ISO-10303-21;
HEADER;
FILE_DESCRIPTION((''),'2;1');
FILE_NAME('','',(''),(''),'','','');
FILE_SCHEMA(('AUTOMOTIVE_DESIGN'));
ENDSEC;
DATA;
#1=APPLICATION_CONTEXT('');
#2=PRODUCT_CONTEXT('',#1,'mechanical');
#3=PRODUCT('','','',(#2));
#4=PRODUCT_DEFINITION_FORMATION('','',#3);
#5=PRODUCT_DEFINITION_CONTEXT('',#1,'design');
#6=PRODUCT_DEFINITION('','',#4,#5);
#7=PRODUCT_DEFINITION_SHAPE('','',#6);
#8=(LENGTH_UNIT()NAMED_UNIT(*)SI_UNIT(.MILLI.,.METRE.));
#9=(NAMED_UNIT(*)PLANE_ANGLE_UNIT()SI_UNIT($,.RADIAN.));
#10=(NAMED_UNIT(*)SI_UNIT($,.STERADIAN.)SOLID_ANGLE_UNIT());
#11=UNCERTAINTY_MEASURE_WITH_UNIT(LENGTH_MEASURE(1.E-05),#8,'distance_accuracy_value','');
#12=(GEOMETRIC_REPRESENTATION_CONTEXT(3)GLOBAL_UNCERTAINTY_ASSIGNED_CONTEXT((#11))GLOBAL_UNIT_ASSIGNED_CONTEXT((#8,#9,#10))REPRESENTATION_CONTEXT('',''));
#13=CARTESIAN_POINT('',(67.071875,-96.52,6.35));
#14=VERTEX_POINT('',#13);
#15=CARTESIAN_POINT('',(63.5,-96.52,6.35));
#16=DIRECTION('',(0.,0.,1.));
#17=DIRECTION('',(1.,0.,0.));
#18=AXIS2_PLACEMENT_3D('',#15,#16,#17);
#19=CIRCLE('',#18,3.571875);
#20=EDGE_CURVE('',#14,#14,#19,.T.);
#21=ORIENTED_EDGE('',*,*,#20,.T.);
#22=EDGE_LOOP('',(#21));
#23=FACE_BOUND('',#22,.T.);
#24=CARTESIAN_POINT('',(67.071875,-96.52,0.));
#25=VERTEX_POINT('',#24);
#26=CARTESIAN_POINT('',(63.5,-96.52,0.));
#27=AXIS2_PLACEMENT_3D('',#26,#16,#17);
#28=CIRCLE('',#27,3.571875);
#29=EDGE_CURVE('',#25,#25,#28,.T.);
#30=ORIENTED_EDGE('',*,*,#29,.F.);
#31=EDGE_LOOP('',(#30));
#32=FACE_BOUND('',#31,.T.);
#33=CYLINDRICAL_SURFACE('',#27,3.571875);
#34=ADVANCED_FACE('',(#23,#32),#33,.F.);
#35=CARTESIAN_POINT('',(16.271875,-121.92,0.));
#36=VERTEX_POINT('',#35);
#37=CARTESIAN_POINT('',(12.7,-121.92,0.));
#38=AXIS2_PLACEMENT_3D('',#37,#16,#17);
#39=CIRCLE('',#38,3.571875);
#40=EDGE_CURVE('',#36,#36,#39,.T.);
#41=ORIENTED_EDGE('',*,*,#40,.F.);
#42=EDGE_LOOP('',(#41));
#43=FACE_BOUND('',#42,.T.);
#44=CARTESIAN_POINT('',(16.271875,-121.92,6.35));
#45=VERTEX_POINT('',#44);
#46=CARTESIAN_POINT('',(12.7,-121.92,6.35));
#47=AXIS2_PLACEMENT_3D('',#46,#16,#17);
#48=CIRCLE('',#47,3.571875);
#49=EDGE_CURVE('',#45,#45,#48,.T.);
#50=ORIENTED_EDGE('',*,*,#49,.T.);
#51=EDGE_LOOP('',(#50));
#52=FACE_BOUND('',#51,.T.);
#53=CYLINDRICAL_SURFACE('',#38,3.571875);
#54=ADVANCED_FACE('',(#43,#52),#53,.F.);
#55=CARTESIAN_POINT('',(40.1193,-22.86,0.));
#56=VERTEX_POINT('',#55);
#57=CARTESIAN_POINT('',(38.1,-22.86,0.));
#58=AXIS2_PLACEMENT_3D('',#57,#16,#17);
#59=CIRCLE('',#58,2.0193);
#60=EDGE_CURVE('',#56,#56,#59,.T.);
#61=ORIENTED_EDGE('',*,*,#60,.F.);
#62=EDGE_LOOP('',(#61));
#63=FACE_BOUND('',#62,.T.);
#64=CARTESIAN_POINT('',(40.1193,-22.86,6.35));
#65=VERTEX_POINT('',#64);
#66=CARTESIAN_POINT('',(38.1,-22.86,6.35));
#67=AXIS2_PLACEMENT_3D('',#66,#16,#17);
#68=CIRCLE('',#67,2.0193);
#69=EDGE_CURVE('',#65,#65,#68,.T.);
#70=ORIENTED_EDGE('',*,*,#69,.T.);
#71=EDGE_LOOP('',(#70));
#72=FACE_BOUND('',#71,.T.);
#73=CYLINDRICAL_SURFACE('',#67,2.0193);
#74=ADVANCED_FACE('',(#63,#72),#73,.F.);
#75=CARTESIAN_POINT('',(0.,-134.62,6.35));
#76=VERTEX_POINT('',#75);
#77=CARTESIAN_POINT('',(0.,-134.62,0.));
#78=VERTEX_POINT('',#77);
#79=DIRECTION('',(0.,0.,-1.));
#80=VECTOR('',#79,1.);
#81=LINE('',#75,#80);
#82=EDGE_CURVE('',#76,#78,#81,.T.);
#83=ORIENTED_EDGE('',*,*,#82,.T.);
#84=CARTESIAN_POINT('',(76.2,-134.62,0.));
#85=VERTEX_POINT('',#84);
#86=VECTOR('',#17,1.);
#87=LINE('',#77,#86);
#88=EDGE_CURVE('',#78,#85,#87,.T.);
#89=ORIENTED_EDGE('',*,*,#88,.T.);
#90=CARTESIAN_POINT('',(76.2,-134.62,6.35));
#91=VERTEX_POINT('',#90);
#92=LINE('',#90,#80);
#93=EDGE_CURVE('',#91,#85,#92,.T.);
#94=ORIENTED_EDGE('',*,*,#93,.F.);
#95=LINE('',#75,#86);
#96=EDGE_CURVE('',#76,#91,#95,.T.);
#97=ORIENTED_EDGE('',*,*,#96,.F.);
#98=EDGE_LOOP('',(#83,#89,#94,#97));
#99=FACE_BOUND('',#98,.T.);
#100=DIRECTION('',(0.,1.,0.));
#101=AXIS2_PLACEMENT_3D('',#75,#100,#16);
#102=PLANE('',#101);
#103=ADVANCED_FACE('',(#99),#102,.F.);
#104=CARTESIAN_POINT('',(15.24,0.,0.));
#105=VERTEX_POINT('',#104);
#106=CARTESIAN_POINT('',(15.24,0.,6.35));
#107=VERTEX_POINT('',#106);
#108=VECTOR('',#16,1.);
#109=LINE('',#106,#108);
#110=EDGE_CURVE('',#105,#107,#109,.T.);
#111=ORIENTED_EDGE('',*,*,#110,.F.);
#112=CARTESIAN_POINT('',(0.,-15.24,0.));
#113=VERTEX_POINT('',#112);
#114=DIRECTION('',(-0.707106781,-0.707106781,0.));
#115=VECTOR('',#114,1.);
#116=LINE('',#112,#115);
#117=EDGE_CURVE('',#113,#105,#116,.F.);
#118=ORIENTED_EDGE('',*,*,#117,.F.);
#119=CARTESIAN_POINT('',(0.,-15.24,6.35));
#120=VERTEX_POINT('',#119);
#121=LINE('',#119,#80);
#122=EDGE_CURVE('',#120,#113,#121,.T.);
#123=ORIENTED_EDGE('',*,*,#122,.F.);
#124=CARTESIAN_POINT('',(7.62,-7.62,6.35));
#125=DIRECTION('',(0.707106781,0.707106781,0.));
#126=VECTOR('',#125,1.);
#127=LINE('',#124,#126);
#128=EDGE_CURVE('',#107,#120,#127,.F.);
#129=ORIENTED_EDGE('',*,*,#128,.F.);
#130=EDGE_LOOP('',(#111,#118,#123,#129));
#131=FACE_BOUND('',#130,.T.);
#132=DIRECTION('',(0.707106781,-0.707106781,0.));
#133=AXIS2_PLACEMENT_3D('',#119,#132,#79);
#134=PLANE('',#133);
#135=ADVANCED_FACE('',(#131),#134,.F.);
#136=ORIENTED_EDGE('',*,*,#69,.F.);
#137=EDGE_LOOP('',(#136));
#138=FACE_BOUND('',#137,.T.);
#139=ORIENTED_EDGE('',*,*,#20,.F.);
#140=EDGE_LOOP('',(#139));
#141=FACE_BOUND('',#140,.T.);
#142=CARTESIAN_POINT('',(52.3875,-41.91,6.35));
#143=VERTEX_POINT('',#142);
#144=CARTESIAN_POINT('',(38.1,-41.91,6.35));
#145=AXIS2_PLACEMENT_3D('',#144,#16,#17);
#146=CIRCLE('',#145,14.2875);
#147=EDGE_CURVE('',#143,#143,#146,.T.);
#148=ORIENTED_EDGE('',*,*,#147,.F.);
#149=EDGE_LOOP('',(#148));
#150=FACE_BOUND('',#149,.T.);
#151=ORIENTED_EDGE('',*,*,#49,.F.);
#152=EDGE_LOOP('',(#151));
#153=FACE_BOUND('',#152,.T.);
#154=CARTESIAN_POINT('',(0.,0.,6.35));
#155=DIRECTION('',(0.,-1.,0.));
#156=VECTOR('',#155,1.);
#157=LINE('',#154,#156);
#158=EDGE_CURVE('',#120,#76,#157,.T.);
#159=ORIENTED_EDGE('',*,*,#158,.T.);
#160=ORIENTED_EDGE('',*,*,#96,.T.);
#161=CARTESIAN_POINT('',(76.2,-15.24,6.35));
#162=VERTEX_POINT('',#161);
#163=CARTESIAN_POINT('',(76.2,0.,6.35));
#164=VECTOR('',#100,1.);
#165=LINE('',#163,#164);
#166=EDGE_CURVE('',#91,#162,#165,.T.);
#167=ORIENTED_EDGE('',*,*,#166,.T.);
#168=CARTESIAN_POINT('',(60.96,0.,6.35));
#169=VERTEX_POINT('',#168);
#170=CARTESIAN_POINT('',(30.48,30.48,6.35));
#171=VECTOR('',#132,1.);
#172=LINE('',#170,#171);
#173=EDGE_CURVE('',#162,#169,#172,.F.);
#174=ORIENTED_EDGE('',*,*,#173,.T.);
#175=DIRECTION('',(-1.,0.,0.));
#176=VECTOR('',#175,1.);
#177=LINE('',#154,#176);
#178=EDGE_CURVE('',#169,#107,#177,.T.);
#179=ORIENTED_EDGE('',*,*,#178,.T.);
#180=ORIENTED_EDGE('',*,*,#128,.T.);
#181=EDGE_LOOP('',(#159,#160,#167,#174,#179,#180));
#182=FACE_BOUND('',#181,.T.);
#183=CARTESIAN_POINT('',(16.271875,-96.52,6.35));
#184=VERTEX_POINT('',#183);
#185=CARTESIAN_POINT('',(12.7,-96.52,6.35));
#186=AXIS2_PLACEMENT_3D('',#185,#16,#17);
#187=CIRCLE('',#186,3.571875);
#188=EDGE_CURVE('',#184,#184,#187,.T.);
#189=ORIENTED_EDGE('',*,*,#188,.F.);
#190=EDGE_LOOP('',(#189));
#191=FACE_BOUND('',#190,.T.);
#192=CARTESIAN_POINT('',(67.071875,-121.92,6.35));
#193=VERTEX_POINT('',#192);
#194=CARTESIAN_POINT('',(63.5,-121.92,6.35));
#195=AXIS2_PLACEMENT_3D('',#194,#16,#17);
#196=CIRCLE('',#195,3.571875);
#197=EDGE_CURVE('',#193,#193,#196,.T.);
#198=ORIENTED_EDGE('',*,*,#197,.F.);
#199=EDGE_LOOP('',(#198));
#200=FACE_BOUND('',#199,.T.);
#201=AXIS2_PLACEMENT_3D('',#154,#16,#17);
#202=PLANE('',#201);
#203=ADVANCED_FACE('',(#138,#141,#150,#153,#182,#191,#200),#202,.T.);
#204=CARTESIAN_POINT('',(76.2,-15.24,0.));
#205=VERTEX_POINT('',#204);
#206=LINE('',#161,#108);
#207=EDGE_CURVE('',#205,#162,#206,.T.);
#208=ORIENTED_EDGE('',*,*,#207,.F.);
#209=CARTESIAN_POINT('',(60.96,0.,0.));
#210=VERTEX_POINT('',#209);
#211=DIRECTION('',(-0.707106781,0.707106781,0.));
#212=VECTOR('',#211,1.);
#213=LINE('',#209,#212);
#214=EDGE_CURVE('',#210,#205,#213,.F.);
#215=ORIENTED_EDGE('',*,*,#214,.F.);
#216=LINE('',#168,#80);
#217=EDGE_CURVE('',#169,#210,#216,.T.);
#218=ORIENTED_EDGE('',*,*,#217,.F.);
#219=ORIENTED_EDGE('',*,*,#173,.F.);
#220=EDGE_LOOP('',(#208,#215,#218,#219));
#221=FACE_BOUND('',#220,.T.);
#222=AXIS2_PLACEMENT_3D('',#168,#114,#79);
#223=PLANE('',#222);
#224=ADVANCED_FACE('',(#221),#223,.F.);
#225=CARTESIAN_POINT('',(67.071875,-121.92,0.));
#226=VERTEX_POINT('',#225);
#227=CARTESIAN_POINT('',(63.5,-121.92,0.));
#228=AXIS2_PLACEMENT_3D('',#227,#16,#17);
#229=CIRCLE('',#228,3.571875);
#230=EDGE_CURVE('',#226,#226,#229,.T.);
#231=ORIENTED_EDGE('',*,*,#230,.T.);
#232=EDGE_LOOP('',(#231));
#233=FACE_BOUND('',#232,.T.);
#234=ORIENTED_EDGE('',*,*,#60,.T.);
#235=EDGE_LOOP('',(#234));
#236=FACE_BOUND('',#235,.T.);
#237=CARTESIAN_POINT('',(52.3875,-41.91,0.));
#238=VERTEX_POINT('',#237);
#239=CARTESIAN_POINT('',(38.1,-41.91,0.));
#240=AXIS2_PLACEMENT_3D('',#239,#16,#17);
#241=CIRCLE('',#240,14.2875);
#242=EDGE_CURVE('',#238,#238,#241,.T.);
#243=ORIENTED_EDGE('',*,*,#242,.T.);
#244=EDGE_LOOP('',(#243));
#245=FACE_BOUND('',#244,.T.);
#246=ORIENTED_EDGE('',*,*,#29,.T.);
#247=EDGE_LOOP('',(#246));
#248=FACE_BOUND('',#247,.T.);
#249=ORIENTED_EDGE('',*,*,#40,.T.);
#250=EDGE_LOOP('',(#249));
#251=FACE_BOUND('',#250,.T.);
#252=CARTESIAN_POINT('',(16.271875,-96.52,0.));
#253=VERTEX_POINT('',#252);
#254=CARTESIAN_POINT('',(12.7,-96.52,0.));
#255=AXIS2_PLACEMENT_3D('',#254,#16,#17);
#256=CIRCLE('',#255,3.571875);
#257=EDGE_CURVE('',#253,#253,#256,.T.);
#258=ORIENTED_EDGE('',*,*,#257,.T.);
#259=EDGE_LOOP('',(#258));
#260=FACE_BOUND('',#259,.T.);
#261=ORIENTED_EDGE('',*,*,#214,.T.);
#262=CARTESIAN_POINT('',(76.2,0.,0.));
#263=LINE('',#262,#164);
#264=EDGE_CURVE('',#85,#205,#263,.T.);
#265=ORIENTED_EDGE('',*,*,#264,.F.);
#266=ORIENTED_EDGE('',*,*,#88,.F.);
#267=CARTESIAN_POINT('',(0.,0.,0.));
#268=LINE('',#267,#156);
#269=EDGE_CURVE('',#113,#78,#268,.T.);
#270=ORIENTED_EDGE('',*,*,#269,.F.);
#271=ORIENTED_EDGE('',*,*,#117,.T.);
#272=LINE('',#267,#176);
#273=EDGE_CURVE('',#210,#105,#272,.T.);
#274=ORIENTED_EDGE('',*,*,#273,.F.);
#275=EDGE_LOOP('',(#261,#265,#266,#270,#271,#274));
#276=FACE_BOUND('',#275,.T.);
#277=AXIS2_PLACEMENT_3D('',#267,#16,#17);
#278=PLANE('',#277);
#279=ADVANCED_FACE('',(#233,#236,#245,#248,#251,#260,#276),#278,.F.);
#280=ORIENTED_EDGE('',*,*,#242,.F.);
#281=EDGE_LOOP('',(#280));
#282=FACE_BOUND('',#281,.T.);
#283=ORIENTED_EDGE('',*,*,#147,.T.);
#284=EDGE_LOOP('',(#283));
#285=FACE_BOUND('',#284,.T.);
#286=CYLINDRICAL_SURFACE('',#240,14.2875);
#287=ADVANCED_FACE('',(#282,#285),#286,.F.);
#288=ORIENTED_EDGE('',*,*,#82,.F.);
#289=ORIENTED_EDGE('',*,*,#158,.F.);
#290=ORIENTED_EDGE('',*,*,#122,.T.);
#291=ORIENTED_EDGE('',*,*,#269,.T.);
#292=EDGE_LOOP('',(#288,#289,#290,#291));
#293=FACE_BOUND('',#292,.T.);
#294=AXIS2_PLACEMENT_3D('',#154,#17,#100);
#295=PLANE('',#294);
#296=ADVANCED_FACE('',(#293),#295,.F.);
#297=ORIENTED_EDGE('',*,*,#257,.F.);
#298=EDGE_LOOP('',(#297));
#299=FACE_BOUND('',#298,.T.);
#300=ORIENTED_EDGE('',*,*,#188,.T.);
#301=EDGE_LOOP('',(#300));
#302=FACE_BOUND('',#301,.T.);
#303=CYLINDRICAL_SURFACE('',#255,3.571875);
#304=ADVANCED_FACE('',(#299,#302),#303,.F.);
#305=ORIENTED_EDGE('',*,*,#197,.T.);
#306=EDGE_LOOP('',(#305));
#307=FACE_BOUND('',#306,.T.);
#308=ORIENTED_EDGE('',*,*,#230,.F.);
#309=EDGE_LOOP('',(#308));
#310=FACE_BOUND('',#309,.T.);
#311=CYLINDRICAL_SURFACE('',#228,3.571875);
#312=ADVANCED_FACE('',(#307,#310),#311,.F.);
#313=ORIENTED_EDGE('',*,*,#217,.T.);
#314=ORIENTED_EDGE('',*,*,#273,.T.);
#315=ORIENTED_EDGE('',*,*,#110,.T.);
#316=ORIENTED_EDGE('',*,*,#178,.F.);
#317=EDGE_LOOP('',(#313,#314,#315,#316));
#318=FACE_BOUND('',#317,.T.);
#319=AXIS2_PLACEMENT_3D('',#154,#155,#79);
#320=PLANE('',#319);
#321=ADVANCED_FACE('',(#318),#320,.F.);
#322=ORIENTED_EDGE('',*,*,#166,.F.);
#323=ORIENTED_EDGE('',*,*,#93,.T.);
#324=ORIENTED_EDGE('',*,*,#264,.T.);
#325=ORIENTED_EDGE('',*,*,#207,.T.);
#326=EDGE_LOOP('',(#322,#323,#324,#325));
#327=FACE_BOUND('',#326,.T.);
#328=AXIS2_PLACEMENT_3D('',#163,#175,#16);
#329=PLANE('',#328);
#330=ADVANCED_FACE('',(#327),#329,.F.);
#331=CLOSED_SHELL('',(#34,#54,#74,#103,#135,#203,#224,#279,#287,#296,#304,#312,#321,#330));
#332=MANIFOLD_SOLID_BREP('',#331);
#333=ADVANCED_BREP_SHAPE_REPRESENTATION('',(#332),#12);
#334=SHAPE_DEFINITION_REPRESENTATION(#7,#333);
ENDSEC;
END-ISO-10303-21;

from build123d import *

# Parameters (mm, degrees)
SKETCH1_W              = 76.2
SKETCH1_H              = 134.62
BOSS_EXTRUDE1_DEPTH    = 6.35
SKETCH2_R              = 14.2875
CUT_EXTRUDE1_DEPTH     = 155.820240602
SKETCH3_R              = 3.571875
CUT_EXTRUDE2_DEPTH     = 155.820240602
CHAMFER1_SIZE          = 15.24
F_10_32_TAPPED_HOLE1_D = 4.0386


with BuildPart() as part:
    # Sketch1 → Boss-Extrude1 (new body)
    with BuildSketch(Plane.XY):
        with Locations((38.1, -67.31)):
            Rectangle(SKETCH1_W, SKETCH1_H)
    extrude(amount=BOSS_EXTRUDE1_DEPTH)

    # Sketch2 → Cut-Extrude1 (cut, through all)
    with BuildSketch(Plane.XY.offset(6.35)):
        with Locations((38.1, -41.91)):
            Circle(SKETCH2_R)
    extrude(amount=-CUT_EXTRUDE1_DEPTH, mode=Mode.SUBTRACT)

    # Sketch3 → Cut-Extrude2 (cut, through all)
    with BuildSketch(Plane.XY.offset(6.35)):
        with Locations((12.7, -121.92)):
            Circle(SKETCH3_R)
        with Locations((63.5, -121.92)):
            Circle(SKETCH3_R)
        with Locations((12.7, -96.52)):
            Circle(SKETCH3_R)
        with Locations((63.5, -96.52)):
            Circle(SKETCH3_R)
    extrude(amount=-CUT_EXTRUDE2_DEPTH, mode=Mode.SUBTRACT)

    # Chamfer1
    chamfer1_edges = [part.edges().sort_by_distance(p)[0] for p in [
        (0, 0, 3.175),
        (76.2, 0, 3.175),
    ]]
    chamfer(chamfer1_edges, length=CHAMFER1_SIZE)

    # #10-32 Tapped Hole1 (through all)
    with Locations(Plane.XY.offset(6.35)):
        with Locations((38.1, -22.86)):
            Hole(F_10_32_TAPPED_HOLE1_D / 2)


solid = part.part
